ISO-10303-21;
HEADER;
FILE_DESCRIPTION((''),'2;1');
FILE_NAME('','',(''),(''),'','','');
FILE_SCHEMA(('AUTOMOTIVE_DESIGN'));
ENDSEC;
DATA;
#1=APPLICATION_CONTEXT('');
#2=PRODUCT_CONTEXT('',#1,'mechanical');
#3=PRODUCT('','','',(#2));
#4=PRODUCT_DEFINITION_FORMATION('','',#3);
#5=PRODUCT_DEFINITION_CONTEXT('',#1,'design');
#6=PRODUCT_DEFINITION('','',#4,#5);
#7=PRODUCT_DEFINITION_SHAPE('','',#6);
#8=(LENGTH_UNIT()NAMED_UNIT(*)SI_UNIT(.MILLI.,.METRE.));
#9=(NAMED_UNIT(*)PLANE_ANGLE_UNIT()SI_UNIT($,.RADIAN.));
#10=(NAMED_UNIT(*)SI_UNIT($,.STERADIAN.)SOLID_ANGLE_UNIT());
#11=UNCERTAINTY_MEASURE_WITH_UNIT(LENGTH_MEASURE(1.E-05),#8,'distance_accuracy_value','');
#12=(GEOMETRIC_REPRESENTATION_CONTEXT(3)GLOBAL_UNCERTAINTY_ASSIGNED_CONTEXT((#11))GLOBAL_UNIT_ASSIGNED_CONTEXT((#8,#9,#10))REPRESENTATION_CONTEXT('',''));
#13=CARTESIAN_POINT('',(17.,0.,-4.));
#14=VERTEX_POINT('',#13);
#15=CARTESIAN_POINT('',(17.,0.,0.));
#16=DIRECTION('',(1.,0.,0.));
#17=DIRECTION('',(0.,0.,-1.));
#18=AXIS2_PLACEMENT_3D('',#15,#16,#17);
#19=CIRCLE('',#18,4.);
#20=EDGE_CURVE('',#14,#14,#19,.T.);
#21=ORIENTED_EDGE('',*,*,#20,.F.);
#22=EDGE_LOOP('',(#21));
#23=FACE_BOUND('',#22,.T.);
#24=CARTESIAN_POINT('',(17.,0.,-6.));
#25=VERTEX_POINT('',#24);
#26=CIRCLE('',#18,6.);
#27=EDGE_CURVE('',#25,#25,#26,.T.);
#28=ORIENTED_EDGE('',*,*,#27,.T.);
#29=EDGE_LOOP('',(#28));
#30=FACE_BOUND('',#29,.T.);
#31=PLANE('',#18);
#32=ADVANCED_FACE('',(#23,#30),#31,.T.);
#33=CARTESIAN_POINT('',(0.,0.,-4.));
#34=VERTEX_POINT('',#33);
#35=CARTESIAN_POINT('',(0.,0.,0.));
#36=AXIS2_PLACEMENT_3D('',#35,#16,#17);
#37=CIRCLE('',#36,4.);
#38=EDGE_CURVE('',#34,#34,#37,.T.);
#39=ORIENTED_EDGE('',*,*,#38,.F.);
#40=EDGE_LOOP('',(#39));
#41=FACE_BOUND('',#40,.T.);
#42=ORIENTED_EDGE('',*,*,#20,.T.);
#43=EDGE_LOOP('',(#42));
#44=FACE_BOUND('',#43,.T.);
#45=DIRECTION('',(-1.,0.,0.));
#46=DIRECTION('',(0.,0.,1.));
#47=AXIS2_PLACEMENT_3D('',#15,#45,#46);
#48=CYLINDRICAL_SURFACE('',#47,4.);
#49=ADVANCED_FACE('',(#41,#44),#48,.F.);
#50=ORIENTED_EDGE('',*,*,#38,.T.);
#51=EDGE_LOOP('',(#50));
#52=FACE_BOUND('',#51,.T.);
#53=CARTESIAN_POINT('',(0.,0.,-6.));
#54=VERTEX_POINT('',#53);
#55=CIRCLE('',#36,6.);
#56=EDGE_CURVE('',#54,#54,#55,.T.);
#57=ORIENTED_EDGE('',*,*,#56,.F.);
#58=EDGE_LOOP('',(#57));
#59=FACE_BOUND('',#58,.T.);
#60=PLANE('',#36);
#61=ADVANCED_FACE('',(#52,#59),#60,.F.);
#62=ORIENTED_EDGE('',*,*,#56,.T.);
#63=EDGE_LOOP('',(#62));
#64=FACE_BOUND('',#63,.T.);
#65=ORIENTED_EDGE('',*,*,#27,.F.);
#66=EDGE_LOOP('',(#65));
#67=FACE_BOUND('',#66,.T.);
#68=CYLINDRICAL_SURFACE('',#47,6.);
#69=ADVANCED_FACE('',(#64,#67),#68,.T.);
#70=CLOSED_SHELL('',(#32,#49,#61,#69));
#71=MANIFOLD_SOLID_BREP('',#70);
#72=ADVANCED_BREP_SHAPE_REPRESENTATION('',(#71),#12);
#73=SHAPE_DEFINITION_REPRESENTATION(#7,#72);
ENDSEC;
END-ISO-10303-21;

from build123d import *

# Parameters (mm, degrees)
CROQUIS1_R              = 6
CROQUIS1_R_2            = 4
SALIENTE_EXTRUIR1_DEPTH = 17


with BuildPart() as part:
    # Croquis1 → Saliente-Extruir1 (new body)
    with BuildSketch(Plane(origin=(0, 0, 0), x_dir=(0, 0, -1), z_dir=(1, 0, 0))):
        Circle(CROQUIS1_R)
        Circle(CROQUIS1_R_2, mode=Mode.SUBTRACT)
    extrude(amount=SALIENTE_EXTRUIR1_DEPTH)


solid = part.part
